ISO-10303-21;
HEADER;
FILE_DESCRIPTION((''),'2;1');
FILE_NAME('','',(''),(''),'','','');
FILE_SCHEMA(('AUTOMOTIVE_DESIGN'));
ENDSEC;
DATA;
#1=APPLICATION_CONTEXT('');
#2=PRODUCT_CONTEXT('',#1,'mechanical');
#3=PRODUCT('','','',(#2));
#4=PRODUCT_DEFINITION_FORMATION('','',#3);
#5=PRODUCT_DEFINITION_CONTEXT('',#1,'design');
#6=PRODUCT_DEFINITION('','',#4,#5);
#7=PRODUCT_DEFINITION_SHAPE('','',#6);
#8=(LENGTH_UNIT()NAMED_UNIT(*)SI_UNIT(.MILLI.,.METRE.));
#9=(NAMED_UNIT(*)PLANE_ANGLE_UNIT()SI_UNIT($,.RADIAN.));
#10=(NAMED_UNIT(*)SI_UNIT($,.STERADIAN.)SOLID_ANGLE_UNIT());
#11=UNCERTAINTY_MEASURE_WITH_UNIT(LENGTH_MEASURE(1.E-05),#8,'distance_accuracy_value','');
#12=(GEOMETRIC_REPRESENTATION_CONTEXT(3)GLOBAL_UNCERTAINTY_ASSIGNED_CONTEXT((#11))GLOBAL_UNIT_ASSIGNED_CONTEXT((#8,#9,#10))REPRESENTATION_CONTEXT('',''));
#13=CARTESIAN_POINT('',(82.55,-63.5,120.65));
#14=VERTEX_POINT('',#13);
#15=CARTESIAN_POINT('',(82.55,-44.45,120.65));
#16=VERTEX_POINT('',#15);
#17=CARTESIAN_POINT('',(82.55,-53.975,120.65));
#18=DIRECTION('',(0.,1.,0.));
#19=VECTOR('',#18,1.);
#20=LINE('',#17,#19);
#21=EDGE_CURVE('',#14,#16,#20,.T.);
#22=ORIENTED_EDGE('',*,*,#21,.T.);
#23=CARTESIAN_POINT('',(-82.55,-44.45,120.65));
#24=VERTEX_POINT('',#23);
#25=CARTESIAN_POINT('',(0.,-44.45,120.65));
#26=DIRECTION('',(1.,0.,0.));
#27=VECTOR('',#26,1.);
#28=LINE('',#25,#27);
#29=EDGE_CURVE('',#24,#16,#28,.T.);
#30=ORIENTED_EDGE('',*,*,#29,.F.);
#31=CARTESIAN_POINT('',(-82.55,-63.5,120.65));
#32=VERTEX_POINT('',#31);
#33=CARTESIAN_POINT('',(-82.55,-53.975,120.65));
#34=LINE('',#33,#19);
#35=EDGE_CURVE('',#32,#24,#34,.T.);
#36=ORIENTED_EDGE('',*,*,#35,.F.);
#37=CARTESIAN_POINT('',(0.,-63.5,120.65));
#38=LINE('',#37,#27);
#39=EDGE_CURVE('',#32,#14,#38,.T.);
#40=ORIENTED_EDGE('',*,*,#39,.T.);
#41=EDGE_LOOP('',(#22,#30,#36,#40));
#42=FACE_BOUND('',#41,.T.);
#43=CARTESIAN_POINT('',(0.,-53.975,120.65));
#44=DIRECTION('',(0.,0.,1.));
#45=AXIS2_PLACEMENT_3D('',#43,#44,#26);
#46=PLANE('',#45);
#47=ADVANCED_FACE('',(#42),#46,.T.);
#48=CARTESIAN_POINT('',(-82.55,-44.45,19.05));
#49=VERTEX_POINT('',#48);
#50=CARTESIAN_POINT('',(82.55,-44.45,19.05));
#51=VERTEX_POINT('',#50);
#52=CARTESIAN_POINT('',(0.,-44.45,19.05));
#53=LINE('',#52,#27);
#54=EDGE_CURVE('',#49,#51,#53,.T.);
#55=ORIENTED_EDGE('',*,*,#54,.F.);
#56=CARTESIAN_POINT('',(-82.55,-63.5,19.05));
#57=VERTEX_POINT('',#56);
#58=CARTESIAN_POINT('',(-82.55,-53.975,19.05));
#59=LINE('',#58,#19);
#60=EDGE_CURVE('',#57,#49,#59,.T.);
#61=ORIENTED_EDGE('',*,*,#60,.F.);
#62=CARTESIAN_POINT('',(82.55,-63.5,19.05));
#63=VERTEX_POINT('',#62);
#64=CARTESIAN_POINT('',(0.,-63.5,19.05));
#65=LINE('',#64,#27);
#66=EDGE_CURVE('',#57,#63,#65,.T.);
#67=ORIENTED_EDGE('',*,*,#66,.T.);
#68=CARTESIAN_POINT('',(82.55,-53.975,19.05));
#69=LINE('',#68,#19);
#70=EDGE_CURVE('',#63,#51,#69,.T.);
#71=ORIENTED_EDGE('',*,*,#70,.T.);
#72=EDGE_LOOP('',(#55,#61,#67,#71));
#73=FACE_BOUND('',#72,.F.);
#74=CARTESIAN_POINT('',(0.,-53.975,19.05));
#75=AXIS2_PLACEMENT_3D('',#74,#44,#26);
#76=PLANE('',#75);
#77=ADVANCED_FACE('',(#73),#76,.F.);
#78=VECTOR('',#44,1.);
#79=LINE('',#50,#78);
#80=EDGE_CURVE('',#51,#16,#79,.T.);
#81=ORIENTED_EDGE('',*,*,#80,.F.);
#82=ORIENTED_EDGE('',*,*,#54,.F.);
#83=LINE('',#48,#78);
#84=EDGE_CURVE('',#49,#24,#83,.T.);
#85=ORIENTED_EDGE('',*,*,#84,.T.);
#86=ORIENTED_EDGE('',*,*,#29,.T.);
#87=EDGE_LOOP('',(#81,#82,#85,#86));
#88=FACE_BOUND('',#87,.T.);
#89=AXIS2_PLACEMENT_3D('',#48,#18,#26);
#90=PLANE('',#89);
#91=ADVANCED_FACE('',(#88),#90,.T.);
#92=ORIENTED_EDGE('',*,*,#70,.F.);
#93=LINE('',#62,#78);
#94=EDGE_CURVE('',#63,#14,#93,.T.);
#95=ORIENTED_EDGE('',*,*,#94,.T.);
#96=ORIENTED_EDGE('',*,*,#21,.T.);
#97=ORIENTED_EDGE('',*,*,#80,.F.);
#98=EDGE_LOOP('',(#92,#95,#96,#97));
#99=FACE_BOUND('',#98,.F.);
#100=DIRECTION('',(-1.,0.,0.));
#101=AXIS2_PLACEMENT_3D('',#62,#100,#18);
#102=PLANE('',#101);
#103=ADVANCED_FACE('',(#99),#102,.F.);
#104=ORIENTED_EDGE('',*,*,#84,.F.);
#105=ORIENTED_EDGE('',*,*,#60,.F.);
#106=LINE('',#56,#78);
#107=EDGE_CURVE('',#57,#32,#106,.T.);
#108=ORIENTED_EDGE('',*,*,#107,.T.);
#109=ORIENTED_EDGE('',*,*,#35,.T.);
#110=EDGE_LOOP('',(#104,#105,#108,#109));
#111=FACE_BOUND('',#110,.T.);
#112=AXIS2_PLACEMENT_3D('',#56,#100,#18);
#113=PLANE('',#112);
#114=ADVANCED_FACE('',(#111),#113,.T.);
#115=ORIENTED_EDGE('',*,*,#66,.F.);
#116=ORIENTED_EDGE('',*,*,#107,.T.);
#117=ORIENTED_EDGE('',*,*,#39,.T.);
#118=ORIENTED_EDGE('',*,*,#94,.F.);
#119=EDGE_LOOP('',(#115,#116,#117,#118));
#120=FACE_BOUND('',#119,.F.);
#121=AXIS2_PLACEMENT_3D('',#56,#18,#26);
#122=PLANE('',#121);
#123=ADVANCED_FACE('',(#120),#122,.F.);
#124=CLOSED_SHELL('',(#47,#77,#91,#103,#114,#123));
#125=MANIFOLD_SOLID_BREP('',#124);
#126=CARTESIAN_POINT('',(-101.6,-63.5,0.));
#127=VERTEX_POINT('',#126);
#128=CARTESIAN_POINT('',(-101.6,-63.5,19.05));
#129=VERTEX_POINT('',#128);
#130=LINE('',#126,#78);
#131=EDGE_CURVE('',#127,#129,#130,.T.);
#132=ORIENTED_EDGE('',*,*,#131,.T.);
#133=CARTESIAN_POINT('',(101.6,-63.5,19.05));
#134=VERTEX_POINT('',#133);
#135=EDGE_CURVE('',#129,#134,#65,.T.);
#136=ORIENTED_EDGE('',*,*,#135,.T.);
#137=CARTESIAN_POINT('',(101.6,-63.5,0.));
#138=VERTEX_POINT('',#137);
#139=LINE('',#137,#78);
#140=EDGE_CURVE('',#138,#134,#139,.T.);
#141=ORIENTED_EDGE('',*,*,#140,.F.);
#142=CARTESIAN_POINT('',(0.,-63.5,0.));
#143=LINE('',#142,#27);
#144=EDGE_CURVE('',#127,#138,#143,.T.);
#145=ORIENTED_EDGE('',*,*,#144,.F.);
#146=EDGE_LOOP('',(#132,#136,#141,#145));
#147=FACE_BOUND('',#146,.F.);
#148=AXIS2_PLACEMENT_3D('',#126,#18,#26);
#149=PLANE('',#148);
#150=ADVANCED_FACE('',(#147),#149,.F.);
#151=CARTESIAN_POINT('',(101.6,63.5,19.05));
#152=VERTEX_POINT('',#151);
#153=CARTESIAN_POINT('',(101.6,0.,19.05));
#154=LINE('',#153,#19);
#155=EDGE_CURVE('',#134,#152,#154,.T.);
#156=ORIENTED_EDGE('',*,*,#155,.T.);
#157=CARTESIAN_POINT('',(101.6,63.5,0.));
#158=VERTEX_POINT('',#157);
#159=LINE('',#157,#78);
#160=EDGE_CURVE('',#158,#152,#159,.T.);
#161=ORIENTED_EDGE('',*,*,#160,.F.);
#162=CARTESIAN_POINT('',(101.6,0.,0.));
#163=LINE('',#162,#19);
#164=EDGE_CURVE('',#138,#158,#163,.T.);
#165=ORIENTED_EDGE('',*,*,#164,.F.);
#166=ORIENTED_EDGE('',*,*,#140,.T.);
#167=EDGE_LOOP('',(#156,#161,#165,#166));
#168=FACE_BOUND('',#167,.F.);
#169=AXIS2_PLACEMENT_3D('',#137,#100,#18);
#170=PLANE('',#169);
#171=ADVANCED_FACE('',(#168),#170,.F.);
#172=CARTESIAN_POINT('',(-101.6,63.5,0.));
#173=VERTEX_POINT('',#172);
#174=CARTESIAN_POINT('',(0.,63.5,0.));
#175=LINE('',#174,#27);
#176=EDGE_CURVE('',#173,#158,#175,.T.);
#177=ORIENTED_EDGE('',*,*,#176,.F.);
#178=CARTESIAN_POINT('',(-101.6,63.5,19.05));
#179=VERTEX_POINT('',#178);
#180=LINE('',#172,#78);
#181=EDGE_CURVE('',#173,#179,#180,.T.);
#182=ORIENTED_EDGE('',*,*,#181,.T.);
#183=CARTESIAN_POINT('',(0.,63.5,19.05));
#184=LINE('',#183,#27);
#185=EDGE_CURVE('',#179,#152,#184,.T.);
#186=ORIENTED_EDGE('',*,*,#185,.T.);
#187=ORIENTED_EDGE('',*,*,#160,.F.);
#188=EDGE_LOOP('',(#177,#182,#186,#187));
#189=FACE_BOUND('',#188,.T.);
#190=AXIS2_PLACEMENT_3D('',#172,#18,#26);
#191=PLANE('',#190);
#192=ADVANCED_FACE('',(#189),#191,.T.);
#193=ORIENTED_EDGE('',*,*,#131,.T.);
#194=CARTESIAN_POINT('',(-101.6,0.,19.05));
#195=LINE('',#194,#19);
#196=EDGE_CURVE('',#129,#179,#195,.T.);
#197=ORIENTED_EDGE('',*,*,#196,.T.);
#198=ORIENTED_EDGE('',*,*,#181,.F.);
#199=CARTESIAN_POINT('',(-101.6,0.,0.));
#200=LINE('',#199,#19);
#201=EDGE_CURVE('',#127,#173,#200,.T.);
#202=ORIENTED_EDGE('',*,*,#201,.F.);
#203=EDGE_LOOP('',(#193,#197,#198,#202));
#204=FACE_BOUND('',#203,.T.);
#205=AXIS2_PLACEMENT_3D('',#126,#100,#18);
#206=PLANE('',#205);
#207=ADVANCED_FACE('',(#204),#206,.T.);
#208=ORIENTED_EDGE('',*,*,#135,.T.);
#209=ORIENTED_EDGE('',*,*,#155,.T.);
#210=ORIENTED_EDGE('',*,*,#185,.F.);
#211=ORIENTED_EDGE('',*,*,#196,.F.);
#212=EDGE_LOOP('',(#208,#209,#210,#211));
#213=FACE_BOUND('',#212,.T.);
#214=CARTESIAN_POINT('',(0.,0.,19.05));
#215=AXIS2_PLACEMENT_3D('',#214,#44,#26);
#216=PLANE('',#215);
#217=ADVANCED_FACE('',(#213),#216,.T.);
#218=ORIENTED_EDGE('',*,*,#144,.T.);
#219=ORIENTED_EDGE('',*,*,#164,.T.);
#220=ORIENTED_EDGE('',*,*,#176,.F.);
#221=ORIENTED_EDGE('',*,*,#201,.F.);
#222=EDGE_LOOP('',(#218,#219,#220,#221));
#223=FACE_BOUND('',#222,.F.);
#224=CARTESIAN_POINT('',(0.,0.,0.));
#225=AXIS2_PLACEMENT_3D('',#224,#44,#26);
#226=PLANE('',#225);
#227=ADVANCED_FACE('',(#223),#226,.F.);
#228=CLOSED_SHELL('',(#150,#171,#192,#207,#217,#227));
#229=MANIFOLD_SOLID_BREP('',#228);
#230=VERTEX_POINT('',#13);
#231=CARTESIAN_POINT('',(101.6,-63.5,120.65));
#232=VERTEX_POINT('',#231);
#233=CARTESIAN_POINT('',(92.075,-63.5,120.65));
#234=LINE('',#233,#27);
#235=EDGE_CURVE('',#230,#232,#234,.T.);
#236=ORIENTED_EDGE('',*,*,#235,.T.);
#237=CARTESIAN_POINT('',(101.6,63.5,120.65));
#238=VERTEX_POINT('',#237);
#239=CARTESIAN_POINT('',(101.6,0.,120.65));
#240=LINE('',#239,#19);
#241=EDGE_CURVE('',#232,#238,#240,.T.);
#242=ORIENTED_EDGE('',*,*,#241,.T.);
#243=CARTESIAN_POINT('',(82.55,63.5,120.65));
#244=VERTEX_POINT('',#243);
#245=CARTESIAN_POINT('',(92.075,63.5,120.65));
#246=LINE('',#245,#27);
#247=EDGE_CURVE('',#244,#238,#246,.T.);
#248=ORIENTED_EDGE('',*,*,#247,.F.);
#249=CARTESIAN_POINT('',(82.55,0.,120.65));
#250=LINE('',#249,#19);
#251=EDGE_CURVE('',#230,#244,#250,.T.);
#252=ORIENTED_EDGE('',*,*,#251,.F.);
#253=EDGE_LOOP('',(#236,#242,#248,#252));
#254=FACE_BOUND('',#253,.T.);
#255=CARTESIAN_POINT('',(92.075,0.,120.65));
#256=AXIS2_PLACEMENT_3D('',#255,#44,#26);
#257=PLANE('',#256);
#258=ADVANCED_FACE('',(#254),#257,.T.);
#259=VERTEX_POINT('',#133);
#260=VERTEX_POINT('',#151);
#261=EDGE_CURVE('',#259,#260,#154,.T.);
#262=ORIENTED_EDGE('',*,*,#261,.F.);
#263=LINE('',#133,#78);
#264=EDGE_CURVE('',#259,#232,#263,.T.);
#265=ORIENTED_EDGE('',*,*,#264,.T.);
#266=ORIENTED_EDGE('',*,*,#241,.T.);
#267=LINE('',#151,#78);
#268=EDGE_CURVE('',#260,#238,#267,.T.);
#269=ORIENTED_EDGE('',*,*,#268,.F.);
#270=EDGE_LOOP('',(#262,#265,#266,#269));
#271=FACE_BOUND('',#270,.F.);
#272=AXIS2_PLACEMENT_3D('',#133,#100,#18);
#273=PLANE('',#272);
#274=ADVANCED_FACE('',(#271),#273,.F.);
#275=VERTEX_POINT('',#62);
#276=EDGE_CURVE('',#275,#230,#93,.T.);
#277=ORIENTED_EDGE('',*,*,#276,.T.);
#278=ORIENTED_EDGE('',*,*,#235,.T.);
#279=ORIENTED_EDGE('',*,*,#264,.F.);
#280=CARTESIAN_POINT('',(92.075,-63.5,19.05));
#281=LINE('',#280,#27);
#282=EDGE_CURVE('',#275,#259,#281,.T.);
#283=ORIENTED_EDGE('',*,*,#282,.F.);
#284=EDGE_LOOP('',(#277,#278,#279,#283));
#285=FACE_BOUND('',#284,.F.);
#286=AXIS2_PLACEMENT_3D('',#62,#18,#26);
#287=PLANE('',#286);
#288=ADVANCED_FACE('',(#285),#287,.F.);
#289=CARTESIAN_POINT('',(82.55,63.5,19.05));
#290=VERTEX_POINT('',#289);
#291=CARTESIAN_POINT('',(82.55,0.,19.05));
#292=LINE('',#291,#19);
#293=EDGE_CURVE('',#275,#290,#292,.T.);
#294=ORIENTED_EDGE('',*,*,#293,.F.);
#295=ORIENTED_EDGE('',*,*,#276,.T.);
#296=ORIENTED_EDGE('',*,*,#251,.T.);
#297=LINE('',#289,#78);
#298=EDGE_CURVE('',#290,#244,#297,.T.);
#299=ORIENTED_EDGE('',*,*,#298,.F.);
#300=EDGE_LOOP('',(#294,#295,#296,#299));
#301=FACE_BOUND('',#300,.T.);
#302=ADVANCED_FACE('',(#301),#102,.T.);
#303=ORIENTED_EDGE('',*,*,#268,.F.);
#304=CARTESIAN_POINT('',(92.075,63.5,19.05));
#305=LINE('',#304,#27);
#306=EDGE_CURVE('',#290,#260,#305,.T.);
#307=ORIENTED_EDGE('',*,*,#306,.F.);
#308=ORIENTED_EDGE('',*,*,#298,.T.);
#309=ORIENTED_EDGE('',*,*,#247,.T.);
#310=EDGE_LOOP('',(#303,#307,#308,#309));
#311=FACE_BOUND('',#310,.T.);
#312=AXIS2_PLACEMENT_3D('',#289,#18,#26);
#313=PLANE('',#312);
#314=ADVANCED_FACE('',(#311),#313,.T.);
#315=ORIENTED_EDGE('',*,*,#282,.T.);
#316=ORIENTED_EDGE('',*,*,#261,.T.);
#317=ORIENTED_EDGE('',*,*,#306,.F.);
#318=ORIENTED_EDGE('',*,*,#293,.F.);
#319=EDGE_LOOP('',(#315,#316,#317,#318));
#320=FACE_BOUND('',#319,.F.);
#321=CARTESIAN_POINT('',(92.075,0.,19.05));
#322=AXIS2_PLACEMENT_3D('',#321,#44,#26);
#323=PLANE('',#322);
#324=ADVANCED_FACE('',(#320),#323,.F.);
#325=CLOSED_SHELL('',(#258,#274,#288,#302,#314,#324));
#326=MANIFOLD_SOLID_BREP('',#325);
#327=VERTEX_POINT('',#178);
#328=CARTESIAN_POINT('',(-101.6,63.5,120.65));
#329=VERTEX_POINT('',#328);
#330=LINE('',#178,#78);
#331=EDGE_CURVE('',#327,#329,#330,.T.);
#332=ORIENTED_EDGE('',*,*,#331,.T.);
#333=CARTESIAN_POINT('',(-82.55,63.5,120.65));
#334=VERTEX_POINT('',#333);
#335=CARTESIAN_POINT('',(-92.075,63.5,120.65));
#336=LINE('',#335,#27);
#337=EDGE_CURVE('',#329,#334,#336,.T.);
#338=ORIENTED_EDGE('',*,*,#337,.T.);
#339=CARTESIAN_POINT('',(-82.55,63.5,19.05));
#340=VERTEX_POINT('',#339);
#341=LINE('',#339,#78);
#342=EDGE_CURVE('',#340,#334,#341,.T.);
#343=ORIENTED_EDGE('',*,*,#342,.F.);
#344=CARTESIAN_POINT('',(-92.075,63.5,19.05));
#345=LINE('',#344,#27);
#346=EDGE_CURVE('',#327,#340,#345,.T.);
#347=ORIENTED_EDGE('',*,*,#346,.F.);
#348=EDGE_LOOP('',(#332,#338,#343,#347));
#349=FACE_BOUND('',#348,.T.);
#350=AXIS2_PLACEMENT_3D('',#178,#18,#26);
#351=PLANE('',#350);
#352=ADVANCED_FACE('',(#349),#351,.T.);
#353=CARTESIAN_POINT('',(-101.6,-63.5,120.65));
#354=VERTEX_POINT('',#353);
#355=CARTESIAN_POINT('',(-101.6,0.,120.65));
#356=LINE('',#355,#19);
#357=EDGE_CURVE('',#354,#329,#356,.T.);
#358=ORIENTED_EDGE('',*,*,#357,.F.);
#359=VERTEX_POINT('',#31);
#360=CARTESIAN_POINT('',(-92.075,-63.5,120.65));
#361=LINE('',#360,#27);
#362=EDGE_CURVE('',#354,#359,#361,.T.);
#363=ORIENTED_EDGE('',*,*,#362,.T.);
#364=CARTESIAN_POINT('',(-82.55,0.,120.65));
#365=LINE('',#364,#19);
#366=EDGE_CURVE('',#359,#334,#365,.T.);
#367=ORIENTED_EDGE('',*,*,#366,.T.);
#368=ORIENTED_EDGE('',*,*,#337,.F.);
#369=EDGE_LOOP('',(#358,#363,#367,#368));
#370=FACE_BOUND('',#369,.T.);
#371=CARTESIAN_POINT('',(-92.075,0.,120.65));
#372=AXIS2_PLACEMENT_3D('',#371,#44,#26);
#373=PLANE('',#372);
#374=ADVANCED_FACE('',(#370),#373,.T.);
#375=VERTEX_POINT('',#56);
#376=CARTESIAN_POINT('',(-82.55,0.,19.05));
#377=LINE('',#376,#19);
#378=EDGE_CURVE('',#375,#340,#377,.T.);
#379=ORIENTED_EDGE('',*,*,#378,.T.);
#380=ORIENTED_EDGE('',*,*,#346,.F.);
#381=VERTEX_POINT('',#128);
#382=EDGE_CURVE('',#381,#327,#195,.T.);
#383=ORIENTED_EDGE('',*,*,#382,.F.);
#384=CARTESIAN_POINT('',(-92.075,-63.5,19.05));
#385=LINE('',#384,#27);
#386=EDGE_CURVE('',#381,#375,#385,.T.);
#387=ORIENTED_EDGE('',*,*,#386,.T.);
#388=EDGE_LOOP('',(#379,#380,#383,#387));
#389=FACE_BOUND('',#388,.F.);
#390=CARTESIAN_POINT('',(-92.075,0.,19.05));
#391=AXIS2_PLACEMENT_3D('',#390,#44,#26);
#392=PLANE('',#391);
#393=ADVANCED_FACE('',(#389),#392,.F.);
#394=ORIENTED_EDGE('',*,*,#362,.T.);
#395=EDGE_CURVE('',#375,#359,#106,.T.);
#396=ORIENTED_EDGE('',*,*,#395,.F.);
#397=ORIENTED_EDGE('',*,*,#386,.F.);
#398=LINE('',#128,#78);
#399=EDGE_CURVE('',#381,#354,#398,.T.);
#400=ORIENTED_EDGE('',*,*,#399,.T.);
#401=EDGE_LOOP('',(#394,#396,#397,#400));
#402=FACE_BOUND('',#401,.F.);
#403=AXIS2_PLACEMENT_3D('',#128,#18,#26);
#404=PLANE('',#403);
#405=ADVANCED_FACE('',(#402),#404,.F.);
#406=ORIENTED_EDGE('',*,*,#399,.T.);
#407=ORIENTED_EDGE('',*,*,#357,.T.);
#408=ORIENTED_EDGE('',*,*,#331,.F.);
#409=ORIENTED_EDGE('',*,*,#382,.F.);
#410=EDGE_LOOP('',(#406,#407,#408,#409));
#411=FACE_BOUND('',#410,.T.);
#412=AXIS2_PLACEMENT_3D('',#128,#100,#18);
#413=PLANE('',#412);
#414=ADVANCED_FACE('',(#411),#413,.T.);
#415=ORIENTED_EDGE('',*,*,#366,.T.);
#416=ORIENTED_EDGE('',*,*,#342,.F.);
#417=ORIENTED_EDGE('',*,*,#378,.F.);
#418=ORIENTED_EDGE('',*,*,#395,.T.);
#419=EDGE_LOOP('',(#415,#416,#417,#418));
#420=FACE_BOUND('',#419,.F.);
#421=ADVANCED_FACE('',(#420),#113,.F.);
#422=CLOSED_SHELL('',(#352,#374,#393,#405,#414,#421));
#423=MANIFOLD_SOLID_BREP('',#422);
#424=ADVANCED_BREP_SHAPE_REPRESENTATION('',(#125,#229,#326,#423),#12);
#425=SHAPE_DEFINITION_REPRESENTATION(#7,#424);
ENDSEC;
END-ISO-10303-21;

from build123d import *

# Parameters (mm, degrees)
F0_W     = 203.2
F0_H     = 127
F1_DEPTH = 19.05
F2_W     = 19.05
F2_H     = 127
F3_DEPTH = 101.6
F4_W     = 165.1
F4_H     = 19.05
F5_DEPTH = 101.6


with BuildPart() as f1:
    # F0 (on Top) → F1 (new body)
    with BuildSketch(Plane.XY):
        Rectangle(F0_W, F0_H)
    extrude(amount=F1_DEPTH)


with BuildPart() as f3:
    # F2 (on face) → F3 (new body)
    with BuildSketch(Plane.XY.offset(19.05)):
        with Locations((-92.075, 0)):
            Rectangle(F2_W, F2_H)
        with Locations((92.075, 0)):
            Rectangle(F2_W, F2_H)
    extrude(amount=F3_DEPTH)


with BuildPart() as f5:
    # F4 (on face) → F5 (new body, through all)
    with BuildSketch(Plane.XY.offset(19.05)):
        with Locations((0, -53.975)):
            Rectangle(F4_W, F4_H)
    extrude(amount=F5_DEPTH)


solid = Compound([f1.part, f3.part, f5.part])
